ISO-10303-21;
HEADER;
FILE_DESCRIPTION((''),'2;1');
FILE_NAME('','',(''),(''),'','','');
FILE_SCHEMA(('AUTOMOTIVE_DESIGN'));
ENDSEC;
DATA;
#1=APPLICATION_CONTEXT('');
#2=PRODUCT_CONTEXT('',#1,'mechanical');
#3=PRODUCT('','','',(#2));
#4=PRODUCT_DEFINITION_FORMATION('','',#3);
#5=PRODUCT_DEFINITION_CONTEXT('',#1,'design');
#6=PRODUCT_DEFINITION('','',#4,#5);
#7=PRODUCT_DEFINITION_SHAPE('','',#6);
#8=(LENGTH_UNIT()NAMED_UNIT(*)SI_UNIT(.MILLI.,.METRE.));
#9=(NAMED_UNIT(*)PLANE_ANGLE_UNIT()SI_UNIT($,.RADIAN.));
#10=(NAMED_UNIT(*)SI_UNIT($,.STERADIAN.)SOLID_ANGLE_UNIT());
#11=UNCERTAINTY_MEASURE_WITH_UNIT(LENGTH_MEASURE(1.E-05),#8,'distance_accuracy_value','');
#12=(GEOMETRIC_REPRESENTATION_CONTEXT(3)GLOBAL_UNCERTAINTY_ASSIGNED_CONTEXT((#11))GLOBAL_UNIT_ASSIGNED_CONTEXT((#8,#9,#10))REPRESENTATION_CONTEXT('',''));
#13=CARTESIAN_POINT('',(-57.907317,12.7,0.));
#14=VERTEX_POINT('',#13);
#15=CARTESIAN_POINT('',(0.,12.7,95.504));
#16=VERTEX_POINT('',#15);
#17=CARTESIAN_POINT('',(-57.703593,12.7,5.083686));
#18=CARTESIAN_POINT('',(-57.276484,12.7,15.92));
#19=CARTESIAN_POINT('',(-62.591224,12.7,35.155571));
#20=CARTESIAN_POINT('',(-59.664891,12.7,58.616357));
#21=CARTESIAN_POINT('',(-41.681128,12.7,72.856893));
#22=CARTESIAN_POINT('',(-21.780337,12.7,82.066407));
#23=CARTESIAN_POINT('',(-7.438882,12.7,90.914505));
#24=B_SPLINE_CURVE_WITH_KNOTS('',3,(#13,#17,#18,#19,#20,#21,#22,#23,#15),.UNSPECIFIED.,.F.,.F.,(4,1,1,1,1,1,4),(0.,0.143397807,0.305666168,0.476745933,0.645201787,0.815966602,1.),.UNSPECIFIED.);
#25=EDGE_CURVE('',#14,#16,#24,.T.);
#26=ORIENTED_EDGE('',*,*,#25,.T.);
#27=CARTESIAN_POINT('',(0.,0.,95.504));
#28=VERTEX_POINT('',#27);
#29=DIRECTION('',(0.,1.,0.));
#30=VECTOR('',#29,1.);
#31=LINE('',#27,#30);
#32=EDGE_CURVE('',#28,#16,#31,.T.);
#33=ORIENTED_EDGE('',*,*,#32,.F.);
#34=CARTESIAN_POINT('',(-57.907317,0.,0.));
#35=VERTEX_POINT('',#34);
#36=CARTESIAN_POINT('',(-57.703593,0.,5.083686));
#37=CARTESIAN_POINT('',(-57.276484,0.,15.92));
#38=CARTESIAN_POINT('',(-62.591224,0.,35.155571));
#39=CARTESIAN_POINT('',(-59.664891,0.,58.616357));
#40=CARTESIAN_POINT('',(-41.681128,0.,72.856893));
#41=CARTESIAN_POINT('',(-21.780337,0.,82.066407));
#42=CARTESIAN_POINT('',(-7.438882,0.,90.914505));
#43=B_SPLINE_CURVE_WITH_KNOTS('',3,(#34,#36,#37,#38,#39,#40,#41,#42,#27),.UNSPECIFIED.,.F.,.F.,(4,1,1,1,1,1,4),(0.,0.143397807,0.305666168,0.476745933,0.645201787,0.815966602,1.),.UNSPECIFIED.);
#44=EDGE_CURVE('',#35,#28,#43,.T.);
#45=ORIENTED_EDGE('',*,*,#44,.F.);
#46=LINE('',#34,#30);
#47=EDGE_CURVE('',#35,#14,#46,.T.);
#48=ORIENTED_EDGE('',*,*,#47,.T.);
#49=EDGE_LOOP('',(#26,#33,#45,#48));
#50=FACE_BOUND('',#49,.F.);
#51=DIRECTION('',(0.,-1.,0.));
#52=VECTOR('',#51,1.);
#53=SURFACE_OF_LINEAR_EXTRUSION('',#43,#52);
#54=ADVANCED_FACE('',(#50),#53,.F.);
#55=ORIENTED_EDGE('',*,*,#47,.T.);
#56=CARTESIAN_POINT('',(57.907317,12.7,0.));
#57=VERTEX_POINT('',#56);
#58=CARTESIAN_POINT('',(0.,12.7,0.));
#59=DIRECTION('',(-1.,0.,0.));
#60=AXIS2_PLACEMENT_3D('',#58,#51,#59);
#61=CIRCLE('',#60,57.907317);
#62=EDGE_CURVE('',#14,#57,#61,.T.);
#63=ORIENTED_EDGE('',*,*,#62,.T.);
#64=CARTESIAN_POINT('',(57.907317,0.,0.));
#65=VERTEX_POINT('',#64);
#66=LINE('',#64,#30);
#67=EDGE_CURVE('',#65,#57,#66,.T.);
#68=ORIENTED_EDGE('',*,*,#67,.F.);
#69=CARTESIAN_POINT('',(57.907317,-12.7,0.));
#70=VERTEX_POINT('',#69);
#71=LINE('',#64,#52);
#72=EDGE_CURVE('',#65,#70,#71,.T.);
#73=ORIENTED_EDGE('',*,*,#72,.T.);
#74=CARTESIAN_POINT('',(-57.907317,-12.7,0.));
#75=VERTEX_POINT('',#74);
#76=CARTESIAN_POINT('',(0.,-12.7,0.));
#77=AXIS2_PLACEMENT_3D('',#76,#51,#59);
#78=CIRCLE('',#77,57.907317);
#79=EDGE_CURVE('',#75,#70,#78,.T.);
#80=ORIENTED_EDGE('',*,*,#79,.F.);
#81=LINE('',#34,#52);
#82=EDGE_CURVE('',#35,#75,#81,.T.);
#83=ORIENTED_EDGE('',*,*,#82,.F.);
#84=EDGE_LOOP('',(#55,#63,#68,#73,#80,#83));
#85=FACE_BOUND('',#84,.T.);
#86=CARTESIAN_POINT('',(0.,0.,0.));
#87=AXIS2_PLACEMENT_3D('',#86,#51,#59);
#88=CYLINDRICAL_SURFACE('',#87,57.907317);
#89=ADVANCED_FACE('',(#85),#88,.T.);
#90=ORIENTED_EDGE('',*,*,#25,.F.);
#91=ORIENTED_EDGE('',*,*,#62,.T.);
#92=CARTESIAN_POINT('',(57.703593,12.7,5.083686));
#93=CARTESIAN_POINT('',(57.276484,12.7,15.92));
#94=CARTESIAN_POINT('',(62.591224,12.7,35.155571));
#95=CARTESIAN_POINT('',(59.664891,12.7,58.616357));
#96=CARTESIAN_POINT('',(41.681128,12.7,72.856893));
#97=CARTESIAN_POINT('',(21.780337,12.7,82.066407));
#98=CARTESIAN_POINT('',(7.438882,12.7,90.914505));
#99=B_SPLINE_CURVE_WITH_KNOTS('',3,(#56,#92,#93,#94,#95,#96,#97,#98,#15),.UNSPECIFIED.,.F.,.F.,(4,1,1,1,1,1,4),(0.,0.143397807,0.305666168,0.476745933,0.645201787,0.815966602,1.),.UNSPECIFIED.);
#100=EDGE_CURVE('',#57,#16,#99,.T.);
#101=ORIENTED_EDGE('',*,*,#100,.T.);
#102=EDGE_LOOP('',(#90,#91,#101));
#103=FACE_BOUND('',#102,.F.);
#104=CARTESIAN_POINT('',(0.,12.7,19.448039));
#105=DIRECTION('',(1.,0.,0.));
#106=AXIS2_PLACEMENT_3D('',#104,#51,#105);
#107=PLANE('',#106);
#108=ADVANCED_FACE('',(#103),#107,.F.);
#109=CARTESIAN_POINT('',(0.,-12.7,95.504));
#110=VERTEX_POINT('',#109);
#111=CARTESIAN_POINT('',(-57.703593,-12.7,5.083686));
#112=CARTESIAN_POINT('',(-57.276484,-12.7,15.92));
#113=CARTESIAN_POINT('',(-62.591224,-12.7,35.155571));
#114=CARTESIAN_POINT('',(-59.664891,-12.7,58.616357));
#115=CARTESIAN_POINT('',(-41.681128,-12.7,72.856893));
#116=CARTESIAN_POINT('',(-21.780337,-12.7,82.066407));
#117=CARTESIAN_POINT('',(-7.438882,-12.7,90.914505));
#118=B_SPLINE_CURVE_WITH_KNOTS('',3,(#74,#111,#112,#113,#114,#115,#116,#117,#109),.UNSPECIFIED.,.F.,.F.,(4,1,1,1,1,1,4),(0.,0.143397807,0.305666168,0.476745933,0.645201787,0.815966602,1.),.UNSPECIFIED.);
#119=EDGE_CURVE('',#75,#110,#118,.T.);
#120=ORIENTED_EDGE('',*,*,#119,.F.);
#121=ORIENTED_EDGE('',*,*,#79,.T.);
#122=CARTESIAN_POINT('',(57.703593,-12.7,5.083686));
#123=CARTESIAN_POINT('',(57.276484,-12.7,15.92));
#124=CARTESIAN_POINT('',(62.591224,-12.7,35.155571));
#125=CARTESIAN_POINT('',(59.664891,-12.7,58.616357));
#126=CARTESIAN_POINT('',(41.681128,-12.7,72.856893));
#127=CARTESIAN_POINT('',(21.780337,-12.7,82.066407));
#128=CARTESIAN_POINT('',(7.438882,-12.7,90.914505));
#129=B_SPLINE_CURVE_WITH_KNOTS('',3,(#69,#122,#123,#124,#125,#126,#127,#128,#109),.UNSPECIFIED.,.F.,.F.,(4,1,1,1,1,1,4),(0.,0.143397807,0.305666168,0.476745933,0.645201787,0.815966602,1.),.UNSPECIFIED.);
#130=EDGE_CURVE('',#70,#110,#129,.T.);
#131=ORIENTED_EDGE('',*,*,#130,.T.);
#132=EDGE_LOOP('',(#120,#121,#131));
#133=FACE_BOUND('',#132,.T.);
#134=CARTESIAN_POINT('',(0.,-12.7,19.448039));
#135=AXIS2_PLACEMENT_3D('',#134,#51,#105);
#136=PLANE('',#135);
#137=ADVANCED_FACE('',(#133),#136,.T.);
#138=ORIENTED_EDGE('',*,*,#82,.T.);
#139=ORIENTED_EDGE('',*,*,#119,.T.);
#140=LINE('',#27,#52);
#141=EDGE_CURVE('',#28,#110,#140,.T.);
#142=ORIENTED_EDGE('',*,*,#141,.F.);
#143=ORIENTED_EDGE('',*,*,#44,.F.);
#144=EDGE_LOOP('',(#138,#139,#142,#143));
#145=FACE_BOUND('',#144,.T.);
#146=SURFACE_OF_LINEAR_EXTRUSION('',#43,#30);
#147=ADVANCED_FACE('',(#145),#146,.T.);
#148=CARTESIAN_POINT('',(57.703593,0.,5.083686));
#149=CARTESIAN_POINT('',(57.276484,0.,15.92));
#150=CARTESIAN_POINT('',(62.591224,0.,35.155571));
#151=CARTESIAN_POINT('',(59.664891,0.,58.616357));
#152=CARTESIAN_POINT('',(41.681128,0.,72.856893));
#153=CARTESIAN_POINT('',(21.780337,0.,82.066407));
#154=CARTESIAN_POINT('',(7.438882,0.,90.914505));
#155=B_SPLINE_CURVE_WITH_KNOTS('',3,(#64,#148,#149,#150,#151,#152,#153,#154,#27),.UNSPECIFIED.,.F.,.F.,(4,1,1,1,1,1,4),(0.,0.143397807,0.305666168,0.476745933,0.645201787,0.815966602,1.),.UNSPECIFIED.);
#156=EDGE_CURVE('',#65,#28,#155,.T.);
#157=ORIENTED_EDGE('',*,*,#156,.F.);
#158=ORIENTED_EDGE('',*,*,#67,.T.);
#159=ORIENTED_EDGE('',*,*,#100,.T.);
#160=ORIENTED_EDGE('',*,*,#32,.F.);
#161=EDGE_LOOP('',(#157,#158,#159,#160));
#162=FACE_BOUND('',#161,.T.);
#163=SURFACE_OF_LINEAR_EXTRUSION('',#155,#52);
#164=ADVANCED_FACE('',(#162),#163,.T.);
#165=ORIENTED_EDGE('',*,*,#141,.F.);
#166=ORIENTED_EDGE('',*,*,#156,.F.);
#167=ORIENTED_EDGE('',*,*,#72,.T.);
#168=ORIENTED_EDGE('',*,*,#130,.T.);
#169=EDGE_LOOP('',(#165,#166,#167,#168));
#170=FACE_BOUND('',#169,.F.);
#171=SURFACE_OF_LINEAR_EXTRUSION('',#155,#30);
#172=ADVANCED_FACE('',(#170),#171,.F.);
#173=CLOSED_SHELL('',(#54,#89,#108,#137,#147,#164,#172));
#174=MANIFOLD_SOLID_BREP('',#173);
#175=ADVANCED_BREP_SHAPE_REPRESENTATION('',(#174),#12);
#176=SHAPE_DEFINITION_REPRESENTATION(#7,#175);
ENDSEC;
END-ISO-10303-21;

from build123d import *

# Parameters (mm, degrees)
F1_DEPTH = 12.7


with BuildPart() as f1:
    # F0 (on Front) → F1 (new body, symmetric)
    with BuildSketch(Plane.XZ):
        with BuildLine():
            ThreePointArc((-57.9073168337, 0), (0, -57.9073168337), (57.9073168337, 0))
            add(Edge.make_bspline(
                [(57.9073168337, 0), (57.7035928826, 5.0836857421), (57.2764841542, 15.9200002784), (62.591224193, 35.1555711006), (59.6648907409, 58.6163574282), (41.6811280162, 72.8568929301), (21.7803366448, 82.0664074952), (7.4388819921, 90.9145052404), (0, 95.504)],
                knots=[0, 0, 0, 0, 0.1433978074, 0.3056661676, 0.4767459335, 0.6452017867, 0.8159666021, 1, 1, 1, 1], degree=3))
            add(Edge.make_bspline(
                [(-57.9073168337, 0), (-57.7035928826, 5.0836857421), (-57.2764841542, 15.9200002784), (-62.591224193, 35.1555711006), (-59.6648907409, 58.6163574282), (-41.6811280162, 72.8568929301), (-21.7803366448, 82.0664074952), (-7.4388819921, 90.9145052404), (0, 95.504)],
                knots=[0, 0, 0, 0, 0.1433978074, 0.3056661676, 0.4767459335, 0.6452017867, 0.8159666021, 1, 1, 1, 1], degree=3))
        make_face()
    extrude(amount=F1_DEPTH, both=True)


solid = f1.part
